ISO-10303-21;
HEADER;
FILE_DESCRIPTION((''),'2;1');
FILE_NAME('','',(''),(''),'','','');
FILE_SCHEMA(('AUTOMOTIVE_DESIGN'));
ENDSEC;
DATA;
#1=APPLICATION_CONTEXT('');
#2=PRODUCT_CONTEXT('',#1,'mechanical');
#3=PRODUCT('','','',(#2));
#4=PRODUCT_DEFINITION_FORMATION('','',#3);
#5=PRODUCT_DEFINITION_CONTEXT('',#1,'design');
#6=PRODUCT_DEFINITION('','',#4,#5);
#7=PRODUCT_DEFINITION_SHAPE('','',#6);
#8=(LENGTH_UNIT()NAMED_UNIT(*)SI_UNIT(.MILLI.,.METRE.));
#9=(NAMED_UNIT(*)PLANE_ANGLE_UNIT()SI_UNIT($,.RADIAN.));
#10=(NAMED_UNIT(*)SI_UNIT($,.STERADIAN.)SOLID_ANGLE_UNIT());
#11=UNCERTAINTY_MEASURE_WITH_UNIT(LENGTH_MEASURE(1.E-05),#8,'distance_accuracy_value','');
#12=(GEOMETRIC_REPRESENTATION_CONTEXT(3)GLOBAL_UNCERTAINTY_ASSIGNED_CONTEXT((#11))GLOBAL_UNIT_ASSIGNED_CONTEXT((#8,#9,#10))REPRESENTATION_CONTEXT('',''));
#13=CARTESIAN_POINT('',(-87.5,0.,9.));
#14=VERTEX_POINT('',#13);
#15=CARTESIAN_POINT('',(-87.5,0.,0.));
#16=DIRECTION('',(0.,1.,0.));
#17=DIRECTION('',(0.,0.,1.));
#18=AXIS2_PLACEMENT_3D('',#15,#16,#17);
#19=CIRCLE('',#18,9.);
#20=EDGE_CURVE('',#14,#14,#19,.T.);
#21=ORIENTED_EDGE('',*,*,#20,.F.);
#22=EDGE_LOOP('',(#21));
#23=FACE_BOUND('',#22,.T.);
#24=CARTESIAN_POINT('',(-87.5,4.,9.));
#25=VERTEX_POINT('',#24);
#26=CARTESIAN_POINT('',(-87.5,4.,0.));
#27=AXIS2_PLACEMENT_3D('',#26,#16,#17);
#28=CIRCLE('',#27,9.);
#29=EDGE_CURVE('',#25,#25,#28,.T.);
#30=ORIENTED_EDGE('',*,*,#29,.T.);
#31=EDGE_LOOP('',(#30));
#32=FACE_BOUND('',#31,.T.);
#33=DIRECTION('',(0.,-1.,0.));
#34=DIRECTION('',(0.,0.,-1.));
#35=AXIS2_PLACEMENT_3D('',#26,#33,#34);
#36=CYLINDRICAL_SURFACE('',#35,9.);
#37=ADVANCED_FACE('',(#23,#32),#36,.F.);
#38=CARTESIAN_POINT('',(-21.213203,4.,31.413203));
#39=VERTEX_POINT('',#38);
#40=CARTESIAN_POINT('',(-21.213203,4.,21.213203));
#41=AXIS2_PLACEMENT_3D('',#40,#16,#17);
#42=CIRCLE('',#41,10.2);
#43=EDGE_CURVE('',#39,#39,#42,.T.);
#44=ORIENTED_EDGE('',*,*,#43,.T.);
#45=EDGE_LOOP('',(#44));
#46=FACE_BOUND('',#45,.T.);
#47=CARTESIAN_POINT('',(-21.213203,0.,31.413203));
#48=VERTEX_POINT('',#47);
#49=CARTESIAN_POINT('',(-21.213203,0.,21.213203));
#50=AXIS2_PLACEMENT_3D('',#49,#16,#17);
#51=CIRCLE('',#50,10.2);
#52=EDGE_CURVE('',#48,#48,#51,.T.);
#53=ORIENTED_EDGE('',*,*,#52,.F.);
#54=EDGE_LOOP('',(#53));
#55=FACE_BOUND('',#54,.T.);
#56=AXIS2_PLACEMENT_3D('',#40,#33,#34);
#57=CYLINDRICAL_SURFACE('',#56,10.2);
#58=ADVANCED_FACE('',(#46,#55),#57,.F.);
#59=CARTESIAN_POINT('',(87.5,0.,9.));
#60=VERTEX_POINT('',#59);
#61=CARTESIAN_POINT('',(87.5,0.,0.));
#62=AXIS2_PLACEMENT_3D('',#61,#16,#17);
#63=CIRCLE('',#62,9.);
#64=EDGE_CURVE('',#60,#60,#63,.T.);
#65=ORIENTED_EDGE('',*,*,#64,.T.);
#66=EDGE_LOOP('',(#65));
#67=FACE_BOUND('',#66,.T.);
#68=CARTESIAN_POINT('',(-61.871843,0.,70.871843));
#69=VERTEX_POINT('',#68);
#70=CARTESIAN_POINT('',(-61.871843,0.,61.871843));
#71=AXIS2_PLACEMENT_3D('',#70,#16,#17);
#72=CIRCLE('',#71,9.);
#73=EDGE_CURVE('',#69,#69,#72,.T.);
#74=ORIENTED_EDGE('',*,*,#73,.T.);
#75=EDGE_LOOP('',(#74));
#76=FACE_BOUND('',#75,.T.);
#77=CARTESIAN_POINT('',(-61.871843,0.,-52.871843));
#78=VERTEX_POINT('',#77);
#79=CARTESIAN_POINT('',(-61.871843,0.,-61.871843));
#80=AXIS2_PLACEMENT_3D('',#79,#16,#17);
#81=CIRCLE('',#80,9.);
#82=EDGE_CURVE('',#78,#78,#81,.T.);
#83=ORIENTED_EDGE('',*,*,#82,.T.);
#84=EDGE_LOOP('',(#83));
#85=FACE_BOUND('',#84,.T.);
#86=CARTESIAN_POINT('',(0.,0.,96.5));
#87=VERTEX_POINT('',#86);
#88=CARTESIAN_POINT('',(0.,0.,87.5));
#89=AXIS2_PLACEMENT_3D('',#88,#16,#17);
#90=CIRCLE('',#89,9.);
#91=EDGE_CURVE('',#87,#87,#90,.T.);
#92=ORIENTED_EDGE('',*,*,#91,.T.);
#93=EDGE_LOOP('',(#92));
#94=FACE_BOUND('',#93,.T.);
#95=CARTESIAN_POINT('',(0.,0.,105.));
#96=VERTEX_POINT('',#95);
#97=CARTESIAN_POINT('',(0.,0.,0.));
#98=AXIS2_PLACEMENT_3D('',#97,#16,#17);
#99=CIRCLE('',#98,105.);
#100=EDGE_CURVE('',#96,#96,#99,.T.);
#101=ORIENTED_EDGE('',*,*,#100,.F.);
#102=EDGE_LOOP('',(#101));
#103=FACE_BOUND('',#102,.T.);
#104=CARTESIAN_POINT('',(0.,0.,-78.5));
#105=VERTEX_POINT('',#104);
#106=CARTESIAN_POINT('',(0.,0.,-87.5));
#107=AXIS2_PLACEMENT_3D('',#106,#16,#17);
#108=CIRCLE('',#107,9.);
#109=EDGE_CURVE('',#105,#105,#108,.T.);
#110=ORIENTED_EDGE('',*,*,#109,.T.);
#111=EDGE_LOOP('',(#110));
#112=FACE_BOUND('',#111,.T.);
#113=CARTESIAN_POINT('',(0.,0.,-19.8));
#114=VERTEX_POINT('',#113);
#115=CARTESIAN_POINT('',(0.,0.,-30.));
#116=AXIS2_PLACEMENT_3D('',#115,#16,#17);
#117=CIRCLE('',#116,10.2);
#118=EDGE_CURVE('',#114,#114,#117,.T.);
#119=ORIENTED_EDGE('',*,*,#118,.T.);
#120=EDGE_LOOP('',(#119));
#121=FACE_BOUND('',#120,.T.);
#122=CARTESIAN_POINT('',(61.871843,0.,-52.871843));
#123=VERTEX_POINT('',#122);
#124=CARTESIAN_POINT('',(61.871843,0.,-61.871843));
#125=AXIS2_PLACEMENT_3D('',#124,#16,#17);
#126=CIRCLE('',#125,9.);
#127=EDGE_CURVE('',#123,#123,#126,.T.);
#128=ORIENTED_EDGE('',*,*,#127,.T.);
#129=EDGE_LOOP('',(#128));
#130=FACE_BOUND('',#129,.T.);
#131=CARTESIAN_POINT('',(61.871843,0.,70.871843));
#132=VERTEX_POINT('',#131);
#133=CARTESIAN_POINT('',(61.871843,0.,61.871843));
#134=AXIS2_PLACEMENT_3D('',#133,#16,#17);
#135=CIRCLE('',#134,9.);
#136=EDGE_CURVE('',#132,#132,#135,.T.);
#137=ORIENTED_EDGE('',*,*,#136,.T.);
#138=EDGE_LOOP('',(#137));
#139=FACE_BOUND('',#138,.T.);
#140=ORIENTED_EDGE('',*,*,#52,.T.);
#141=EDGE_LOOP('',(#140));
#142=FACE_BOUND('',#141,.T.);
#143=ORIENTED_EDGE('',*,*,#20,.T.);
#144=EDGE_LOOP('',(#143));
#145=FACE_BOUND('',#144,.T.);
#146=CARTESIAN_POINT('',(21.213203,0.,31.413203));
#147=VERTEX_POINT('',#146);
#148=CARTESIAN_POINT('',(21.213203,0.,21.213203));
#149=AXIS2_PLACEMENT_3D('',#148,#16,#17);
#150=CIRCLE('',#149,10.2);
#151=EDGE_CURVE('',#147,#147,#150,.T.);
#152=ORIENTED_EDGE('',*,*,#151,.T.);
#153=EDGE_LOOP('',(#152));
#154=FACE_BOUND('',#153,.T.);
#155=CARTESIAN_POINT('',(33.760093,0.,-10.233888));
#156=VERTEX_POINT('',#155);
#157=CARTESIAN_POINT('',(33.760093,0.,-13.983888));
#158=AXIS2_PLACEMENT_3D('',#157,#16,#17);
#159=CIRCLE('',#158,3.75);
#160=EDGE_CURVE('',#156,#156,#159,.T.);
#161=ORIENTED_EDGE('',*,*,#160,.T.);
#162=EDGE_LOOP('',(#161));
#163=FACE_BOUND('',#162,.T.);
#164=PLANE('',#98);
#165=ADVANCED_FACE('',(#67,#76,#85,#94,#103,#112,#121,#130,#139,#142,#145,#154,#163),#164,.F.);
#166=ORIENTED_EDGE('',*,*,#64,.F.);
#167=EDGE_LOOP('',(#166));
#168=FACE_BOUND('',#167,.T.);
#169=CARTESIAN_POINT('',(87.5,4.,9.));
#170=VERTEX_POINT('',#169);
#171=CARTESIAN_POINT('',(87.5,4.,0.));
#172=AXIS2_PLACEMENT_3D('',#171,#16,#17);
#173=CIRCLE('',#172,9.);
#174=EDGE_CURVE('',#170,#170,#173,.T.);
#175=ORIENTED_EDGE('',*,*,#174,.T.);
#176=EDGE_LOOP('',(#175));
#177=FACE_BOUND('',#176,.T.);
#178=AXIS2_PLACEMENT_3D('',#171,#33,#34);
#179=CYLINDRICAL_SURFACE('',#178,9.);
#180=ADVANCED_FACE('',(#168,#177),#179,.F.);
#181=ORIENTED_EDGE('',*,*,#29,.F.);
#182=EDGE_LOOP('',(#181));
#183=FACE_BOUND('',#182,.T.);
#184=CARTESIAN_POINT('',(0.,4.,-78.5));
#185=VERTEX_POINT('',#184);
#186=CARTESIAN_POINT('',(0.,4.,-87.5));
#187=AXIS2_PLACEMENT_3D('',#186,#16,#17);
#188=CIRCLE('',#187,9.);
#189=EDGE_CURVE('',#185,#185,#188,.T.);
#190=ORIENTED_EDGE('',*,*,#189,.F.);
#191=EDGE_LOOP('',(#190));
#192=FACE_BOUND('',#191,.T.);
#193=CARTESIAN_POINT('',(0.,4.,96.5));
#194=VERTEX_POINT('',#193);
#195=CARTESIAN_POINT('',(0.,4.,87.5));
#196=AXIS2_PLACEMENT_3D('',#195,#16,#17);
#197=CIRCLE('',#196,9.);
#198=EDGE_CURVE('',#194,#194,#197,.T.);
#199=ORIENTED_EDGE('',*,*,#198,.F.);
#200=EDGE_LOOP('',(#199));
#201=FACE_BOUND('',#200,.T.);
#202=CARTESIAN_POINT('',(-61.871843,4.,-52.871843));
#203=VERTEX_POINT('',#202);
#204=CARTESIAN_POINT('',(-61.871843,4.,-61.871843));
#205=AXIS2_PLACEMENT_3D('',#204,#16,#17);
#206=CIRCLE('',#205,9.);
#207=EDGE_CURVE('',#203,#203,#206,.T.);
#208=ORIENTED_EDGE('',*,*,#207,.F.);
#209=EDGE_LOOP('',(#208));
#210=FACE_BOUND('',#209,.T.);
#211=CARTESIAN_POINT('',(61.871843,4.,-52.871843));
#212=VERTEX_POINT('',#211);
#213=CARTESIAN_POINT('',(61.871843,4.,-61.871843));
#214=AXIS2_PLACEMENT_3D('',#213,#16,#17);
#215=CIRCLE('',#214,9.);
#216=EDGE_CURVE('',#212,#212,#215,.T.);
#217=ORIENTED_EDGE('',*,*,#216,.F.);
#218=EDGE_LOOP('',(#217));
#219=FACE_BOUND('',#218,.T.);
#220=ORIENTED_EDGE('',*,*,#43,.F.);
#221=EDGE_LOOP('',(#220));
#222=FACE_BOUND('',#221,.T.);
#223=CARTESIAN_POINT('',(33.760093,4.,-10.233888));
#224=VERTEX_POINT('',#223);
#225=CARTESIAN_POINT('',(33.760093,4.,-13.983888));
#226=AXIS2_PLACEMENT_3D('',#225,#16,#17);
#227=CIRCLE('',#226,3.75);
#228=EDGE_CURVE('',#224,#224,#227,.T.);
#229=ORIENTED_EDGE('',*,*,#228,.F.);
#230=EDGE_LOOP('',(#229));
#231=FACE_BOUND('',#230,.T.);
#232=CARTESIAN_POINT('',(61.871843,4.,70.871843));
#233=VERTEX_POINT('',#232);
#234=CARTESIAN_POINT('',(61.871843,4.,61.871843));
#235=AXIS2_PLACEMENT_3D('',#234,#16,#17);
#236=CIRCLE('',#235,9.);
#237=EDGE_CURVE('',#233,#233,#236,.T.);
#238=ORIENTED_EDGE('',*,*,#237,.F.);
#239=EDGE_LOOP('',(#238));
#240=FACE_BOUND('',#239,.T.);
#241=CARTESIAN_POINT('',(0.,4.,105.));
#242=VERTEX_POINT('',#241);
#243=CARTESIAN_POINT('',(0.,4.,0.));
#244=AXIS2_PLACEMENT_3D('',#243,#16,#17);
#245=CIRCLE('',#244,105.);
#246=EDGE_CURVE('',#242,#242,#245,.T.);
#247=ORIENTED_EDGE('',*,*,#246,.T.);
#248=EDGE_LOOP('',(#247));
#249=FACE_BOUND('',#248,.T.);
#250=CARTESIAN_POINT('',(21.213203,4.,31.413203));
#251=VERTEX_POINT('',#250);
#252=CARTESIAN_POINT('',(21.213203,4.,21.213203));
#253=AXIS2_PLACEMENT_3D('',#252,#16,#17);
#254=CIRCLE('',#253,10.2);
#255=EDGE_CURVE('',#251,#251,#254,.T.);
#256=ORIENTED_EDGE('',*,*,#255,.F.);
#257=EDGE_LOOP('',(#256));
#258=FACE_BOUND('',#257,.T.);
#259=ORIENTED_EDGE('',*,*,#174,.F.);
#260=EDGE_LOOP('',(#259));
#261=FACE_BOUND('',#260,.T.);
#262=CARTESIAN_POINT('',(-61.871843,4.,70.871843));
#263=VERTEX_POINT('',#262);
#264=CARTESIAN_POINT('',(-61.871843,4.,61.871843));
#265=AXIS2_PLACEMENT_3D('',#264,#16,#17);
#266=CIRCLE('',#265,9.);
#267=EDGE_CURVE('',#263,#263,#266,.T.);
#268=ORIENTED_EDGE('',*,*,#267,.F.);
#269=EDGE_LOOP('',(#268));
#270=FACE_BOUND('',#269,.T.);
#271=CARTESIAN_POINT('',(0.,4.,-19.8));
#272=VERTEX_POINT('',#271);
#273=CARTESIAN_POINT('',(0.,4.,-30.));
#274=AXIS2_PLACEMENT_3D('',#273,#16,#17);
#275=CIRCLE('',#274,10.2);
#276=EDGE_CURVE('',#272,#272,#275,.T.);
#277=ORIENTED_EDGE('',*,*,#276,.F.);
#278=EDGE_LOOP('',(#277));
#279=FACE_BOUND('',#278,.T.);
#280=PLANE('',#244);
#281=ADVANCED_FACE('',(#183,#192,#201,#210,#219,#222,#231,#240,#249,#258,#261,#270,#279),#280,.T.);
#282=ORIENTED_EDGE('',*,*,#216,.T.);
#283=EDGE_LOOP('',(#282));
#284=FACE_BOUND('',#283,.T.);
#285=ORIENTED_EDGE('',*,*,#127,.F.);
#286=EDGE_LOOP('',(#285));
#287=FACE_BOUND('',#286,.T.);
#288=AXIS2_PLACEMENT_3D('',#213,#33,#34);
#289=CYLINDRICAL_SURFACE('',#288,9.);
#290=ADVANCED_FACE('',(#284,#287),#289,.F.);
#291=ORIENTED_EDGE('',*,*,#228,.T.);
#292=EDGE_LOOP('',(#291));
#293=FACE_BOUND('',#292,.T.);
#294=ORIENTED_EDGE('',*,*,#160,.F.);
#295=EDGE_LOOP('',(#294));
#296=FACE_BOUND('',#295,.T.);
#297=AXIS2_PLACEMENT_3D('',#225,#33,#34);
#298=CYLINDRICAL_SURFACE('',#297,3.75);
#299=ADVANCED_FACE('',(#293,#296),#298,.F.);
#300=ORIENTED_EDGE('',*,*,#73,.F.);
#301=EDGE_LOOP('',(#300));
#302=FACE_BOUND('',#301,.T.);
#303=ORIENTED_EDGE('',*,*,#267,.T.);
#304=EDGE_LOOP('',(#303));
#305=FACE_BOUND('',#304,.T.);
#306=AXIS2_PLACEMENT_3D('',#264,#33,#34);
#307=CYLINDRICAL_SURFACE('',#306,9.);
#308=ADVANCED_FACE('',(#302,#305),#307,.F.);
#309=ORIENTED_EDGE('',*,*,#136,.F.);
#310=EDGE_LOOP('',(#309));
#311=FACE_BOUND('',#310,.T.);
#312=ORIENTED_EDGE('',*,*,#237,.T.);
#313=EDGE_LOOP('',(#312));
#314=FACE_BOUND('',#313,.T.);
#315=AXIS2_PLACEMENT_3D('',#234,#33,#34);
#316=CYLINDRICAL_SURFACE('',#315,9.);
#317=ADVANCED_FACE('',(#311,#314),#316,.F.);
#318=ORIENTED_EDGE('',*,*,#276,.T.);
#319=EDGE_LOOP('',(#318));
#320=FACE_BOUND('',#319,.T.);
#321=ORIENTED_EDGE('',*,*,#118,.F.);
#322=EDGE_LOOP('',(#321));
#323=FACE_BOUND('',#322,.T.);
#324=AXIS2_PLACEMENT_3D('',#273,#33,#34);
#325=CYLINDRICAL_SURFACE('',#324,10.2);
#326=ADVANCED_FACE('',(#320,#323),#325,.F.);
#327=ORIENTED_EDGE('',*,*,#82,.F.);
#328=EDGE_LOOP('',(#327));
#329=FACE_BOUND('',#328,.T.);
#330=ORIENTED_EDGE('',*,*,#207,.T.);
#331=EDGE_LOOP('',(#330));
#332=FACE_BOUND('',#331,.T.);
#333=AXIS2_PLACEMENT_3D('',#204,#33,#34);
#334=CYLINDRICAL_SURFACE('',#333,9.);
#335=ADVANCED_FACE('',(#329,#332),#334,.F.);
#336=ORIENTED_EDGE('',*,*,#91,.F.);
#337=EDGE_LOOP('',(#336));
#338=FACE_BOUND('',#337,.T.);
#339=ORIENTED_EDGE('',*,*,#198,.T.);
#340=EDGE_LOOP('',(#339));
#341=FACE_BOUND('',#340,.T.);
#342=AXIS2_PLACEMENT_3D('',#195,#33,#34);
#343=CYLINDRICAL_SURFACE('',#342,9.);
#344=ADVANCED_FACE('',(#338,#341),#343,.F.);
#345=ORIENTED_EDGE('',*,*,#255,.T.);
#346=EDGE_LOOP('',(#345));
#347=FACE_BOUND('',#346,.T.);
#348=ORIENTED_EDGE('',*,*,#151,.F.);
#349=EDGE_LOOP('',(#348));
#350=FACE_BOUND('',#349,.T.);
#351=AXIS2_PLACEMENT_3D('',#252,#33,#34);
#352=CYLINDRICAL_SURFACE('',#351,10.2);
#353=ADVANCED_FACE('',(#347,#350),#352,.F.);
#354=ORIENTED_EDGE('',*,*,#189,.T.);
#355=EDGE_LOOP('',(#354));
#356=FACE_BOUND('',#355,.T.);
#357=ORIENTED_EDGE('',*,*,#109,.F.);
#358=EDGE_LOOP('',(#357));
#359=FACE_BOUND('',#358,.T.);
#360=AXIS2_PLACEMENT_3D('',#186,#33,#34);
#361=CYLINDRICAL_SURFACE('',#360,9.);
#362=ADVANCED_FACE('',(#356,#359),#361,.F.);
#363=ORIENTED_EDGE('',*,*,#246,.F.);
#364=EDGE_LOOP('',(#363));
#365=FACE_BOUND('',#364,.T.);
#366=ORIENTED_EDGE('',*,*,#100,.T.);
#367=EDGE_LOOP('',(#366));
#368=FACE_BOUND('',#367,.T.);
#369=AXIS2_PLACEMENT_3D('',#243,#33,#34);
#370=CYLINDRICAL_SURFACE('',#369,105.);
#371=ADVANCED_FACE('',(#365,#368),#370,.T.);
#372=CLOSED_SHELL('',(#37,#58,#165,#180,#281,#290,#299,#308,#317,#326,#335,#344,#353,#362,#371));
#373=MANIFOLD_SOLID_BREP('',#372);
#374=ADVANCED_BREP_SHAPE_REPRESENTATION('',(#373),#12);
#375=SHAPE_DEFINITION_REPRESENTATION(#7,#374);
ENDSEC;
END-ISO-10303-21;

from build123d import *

# Parameters (mm, degrees)
SKETCH3_R           = 105
SKETCH3_R_2         = 10.2
SKETCH3_R_3         = 9
SKETCH3_R_4         = 3.75
BOSS_EXTRUDE1_DEPTH = 4


with BuildPart() as part:
    # Sketch3 → Boss-Extrude1 (new body)
    with BuildSketch(Plane(origin=(0, 0, 0), x_dir=(1, 0, 0), z_dir=(0, 1, 0))):
        with Locations(Location((0, 0, 0), (0, 0, 270))):
            Circle(SKETCH3_R)
        with Locations(Location((0, 30, 0), (0, 0, 270))):
            Circle(SKETCH3_R_2, mode=Mode.SUBTRACT)
        with Locations(Location((61.871843354, 61.871843354, 0), (0, 0, 270))):
            Circle(SKETCH3_R_3, mode=Mode.SUBTRACT)
        with Locations(Location((0, 87.5, 0), (0, 0, 270))):
            Circle(SKETCH3_R_3, mode=Mode.SUBTRACT)
        with Locations(Location((-61.871843354, 61.871843354, 0), (0, 0, 270))):
            Circle(SKETCH3_R_3, mode=Mode.SUBTRACT)
        with Locations(Location((-87.5, 0, 0), (0, 0, 270))):
            Circle(SKETCH3_R_3, mode=Mode.SUBTRACT)
        with Locations(Location((-61.871843354, -61.871843354, 0), (0, 0, 270))):
            Circle(SKETCH3_R_3, mode=Mode.SUBTRACT)
        with Locations(Location((0, -87.5, 0), (0, 0, 270))):
            Circle(SKETCH3_R_3, mode=Mode.SUBTRACT)
        with Locations(Location((61.871843354, -61.871843354, 0), (0, 0, 270))):
            Circle(SKETCH3_R_3, mode=Mode.SUBTRACT)
        with Locations(Location((87.5, 0, 0), (0, 0, 270))):
            Circle(SKETCH3_R_3, mode=Mode.SUBTRACT)
        with Locations(Location((-21.213203436, -21.213203436, 0), (0, 0, 270))):
            Circle(SKETCH3_R_2, mode=Mode.SUBTRACT)
        with Locations(Location((33.760092737, 13.983888279, 0), (0, 0, 270))):
            Circle(SKETCH3_R_4, mode=Mode.SUBTRACT)
        with Locations(Location((21.213203436, -21.213203436, 0), (0, 0, 270))):
            Circle(SKETCH3_R_2, mode=Mode.SUBTRACT)
    extrude(amount=BOSS_EXTRUDE1_DEPTH)


solid = part.part
